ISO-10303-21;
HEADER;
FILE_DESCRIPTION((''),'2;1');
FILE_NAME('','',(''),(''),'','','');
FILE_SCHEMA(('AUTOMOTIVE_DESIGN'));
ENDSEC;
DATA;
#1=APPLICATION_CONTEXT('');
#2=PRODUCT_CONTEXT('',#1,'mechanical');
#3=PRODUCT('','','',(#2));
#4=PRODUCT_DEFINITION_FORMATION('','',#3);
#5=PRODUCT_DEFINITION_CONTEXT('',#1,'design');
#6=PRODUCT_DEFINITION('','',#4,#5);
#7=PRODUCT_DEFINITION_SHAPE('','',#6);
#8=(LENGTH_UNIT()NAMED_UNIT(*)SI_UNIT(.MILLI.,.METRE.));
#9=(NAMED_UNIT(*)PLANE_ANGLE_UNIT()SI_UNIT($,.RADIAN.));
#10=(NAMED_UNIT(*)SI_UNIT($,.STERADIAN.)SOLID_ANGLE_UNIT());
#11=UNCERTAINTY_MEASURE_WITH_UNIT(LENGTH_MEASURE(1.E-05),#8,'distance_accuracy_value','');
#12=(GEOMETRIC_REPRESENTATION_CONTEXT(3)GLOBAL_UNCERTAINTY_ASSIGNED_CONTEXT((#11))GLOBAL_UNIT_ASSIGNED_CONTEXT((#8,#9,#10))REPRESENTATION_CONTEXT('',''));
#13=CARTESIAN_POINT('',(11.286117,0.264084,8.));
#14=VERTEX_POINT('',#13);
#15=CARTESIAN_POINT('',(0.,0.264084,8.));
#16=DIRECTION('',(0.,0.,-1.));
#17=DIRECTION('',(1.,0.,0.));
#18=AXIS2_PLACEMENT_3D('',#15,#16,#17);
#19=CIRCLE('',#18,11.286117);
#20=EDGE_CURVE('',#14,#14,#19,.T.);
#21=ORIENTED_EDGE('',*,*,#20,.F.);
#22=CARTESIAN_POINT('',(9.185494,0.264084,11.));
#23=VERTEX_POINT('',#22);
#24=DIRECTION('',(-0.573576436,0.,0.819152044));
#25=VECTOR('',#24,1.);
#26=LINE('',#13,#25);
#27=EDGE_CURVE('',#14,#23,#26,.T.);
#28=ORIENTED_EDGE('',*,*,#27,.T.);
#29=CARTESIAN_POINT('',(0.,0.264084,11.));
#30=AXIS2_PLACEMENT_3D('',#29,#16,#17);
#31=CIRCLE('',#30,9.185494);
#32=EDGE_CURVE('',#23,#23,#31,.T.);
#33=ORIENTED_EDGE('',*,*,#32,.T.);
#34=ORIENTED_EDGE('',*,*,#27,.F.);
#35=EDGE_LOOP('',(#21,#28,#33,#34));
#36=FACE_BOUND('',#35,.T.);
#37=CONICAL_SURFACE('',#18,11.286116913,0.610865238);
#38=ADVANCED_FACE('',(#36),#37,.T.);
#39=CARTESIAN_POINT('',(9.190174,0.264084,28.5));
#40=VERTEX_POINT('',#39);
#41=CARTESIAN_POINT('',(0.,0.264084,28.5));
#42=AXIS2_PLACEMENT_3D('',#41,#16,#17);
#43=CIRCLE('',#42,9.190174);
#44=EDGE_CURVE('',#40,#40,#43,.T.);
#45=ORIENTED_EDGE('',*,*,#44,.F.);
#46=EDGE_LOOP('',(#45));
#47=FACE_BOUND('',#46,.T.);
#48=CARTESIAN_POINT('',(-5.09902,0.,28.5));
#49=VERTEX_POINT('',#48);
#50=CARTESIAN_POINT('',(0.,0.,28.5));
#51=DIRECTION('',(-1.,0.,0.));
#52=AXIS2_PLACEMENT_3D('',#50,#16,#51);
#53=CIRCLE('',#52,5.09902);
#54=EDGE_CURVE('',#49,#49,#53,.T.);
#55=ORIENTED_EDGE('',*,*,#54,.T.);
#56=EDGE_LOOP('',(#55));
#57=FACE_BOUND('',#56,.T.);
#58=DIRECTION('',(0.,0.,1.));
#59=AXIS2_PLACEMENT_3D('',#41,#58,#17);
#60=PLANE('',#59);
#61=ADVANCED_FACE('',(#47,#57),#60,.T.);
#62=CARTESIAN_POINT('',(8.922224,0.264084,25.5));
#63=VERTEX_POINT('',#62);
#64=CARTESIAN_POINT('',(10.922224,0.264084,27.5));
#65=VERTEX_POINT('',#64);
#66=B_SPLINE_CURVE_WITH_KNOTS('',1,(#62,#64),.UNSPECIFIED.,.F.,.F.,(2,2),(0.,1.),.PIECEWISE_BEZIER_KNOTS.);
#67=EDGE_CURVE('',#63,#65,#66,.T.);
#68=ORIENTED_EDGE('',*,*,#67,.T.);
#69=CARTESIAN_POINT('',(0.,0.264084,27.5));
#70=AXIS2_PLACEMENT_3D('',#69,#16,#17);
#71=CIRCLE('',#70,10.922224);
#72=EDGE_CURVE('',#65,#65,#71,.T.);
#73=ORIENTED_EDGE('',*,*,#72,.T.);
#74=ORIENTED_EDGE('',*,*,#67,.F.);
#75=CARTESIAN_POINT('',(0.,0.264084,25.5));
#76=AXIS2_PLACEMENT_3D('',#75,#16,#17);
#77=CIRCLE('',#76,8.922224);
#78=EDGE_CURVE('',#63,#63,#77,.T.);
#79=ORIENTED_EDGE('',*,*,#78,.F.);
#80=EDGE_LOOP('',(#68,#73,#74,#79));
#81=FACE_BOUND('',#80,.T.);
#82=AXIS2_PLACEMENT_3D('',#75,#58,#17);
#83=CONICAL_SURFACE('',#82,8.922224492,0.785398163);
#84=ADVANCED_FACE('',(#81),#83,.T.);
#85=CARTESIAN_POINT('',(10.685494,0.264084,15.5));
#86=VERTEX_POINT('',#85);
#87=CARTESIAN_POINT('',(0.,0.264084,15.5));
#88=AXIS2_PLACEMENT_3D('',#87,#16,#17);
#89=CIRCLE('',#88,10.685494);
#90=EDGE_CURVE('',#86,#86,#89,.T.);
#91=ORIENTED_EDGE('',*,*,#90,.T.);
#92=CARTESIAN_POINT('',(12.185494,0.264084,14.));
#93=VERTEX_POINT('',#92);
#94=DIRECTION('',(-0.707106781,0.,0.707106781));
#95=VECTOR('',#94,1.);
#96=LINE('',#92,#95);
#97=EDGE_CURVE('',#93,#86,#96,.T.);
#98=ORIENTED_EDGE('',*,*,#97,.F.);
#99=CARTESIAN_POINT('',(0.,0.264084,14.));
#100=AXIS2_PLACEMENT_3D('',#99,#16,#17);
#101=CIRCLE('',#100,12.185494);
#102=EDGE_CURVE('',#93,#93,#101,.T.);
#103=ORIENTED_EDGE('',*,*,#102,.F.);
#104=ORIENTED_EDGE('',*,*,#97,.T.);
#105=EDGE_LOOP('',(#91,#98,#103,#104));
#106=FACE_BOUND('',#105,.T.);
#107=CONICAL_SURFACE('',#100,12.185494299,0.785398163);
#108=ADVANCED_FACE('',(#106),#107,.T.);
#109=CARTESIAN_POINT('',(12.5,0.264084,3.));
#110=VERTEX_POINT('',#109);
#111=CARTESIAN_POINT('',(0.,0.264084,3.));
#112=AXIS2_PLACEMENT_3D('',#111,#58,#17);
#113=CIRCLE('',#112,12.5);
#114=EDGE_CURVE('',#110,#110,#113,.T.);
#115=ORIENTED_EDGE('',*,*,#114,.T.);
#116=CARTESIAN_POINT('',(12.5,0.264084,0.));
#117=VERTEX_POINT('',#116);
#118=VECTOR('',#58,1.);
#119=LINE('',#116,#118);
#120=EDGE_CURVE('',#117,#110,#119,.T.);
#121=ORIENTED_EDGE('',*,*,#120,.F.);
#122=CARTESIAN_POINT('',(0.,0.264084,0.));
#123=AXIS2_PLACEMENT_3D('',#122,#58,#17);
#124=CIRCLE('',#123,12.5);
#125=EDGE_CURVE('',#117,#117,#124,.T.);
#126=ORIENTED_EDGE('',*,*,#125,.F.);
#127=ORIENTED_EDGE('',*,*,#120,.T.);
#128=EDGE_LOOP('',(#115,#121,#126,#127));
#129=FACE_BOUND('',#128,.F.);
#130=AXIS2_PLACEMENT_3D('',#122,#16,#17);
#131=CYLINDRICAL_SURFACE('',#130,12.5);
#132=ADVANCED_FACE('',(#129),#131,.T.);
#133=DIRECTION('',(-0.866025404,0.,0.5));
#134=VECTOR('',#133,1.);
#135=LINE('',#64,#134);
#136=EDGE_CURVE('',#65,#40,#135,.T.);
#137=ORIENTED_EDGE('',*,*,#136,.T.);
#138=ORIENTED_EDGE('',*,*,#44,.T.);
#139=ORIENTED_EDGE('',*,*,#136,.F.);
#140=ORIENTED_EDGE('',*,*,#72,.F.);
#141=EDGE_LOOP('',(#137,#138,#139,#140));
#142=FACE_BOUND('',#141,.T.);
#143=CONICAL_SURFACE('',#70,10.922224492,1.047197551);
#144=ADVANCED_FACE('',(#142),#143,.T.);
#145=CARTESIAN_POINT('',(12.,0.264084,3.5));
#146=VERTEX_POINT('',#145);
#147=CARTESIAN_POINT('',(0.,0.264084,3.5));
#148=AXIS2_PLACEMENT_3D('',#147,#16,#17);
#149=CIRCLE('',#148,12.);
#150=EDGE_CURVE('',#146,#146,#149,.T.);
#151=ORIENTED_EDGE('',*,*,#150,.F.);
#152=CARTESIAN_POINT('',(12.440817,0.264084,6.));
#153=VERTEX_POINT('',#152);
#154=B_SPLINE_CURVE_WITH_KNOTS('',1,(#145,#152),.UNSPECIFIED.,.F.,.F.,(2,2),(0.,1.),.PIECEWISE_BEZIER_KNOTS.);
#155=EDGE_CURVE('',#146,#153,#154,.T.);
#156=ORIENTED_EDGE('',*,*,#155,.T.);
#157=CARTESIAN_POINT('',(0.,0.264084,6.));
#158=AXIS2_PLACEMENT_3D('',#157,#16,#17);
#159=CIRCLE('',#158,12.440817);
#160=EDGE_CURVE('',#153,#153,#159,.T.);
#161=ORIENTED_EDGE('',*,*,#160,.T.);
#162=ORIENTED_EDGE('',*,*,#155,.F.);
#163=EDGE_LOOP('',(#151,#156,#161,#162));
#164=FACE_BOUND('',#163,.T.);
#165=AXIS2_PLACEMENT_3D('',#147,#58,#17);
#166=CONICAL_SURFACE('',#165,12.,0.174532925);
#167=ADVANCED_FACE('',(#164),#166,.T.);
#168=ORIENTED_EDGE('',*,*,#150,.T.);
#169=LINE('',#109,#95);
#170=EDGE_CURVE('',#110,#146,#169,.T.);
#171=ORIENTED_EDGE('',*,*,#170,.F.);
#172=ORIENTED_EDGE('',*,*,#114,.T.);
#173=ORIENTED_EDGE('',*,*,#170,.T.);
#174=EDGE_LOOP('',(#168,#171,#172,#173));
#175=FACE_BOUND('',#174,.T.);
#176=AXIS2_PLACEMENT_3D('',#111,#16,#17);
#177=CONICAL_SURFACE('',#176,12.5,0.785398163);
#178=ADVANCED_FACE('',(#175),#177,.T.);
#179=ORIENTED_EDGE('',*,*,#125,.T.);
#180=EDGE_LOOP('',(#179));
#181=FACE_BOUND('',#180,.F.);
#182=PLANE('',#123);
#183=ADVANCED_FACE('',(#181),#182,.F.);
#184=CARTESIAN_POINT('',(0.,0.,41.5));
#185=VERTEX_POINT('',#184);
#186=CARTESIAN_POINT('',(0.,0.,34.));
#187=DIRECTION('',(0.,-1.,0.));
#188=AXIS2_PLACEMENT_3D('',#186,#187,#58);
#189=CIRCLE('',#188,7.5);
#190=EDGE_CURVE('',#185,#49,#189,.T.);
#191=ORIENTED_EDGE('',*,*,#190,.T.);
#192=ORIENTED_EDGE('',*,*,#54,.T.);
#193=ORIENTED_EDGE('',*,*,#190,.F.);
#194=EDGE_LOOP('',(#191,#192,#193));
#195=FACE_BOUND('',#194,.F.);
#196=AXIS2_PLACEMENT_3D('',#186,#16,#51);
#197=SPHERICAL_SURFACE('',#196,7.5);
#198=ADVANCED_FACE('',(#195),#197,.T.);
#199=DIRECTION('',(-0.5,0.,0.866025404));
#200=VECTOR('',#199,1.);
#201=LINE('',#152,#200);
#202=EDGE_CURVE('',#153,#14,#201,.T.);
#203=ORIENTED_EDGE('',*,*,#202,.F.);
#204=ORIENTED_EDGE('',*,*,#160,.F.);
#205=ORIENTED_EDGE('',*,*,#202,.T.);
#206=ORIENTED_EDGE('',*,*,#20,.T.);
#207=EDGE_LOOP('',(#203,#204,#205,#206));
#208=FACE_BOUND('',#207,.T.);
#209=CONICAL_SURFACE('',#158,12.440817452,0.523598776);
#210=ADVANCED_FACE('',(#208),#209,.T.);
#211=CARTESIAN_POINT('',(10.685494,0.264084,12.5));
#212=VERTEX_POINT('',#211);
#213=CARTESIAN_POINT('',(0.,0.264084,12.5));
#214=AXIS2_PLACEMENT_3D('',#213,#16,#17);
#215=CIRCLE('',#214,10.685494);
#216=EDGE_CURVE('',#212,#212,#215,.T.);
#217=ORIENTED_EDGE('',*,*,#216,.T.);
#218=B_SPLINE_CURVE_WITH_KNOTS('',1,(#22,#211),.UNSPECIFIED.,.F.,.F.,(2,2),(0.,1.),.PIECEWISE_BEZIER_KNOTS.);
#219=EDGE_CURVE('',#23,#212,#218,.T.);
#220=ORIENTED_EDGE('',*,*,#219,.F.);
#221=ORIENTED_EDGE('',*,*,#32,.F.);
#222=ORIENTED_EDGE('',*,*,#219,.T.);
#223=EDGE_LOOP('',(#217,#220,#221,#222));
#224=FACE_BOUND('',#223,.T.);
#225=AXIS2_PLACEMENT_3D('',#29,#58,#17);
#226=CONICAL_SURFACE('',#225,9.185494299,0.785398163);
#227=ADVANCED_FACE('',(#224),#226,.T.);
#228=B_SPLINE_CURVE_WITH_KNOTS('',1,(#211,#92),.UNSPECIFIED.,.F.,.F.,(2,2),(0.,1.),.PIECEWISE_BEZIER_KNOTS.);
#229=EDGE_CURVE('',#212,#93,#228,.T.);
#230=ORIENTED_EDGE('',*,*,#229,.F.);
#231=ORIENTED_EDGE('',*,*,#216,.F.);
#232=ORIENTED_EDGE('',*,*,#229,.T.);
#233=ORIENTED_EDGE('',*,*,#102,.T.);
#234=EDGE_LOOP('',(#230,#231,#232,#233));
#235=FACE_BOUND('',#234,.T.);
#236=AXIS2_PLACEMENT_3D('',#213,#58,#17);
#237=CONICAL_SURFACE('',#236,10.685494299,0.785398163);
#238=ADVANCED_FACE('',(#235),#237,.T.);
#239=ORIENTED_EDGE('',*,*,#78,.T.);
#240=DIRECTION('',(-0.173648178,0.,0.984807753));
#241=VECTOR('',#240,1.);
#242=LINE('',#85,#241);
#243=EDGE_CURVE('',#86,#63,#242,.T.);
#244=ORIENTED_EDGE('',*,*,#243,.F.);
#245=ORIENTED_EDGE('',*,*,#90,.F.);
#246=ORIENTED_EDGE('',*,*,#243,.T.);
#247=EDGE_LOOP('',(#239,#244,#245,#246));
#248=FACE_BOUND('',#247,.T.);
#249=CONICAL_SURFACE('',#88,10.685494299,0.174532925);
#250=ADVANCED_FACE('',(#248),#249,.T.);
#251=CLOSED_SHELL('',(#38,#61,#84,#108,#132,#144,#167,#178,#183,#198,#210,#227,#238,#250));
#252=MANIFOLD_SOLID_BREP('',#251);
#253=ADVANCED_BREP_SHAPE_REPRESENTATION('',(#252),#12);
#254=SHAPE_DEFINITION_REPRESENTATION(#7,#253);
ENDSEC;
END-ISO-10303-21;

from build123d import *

# Parameters (mm, degrees)
F0_R       = 12.5
F1_DEPTH   = 3
F1_FACE_R  = 12.5
F2_DEPTH   = 0.5
F2_TAPER   = 45
F2_FACE_R  = 12
F3_DEPTH   = 2.5
F3_TAPER   = -10
F3_FACE_R  = 12.4408174518
F4_DEPTH   = 2
F4_TAPER   = 30
F4_FACE_R  = 11.2861169134
F5_DEPTH   = 3
F5_TAPER   = 35
F5_FACE_R  = 9.1854942988
F6_DEPTH   = 1.5
F6_TAPER   = -45
F6_FACE_R  = 10.6854942988
F7_DEPTH   = 1.5
F7_TAPER   = -45
F7_FACE_R  = 12.1854942988
F8_DEPTH   = 1.5
F8_TAPER   = 45
F8_FACE_R  = 10.6854942988
F9_DEPTH   = 10
F9_TAPER   = 10
F9_FACE_R  = 8.9222244917
F10_DEPTH  = 2
F10_TAPER  = -45
F10_FACE_R = 10.9222244917
F11_DEPTH  = 1
F11_TAPER  = 60


with BuildPart() as f1:
    # F0 (on Top) → F1 (new body)
    with BuildSketch(Plane.XY):
        with Locations((0, 0.2640842248)):
            Circle(F0_R)
    extrude(amount=F1_DEPTH)

    # F1_face (on face) → F2 (join)
    with BuildSketch(Plane(origin=(0, 0.2640842248, 3), x_dir=(1, 0, 0), z_dir=(0, 0, 1))):
        Circle(F1_FACE_R)
    extrude(amount=F2_DEPTH, taper=F2_TAPER)

    # F2_face (on face) → F3 (join)
    with BuildSketch(Plane(origin=(0, 0.2640842248, 3.5), x_dir=(1, 0, 0), z_dir=(0, 0, 1))):
        Circle(F2_FACE_R)
    extrude(amount=F3_DEPTH, taper=F3_TAPER)

    # F3_face (on face) → F4 (join)
    with BuildSketch(Plane(origin=(0, 0.2640842248, 6), x_dir=(1, 0, 0), z_dir=(0, 0, 1))):
        Circle(F3_FACE_R)
    extrude(amount=F4_DEPTH, taper=F4_TAPER)

    # F4_face (on face) → F5 (join)
    with BuildSketch(Plane(origin=(0, 0.2640842248, 8), x_dir=(1, 0, 0), z_dir=(0, 0, 1))):
        Circle(F4_FACE_R)
    extrude(amount=F5_DEPTH, taper=F5_TAPER)

    # F5_face (on face) → F6 (join)
    with BuildSketch(Plane(origin=(0, 0.2640842248, 11), x_dir=(1, 0, 0), z_dir=(0, 0, 1))):
        Circle(F5_FACE_R)
    extrude(amount=F6_DEPTH, taper=F6_TAPER)

    # F6_face (on face) → F7 (join)
    with BuildSketch(Plane(origin=(0, 0.2640842248, 12.5), x_dir=(1, 0, 0), z_dir=(0, 0, 1))):
        Circle(F6_FACE_R)
    extrude(amount=F7_DEPTH, taper=F7_TAPER)

    # F7_face (on face) → F8 (join)
    with BuildSketch(Plane(origin=(0, 0.2640842248, 14), x_dir=(1, 0, 0), z_dir=(0, 0, 1))):
        Circle(F7_FACE_R)
    extrude(amount=F8_DEPTH, taper=F8_TAPER)

    # F8_face (on face) → F9 (join)
    with BuildSketch(Plane(origin=(0, 0.2640842248, 15.5), x_dir=(1, 0, 0), z_dir=(0, 0, 1))):
        Circle(F8_FACE_R)
    extrude(amount=F9_DEPTH, taper=F9_TAPER)

    # F9_face (on face) → F10 (join)
    with BuildSketch(Plane(origin=(0, 0.2640842248, 25.5), x_dir=(1, 0, 0), z_dir=(0, 0, 1))):
        Circle(F9_FACE_R)
    extrude(amount=F10_DEPTH, taper=F10_TAPER)

    # F10_face (on face) → F11 (join)
    with BuildSketch(Plane(origin=(0, 0.2640842248, 27.5), x_dir=(1, 0, 0), z_dir=(0, 0, 1))):
        Circle(F10_FACE_R)
    extrude(amount=F11_DEPTH, taper=F11_TAPER)

    # F12 (on Front) → F13 (revolve)
    with BuildSketch(Plane.XZ):
        with BuildLine():
            ThreePointArc((0, 41.5), (-7.5, 34), (0, 26.5))
            Line((0, 26.5), (0, 41.5))
        make_face()
    revolve(axis=Axis((0, 0, 35.2392694949), (0, 0, 1)))


solid = f1.part
